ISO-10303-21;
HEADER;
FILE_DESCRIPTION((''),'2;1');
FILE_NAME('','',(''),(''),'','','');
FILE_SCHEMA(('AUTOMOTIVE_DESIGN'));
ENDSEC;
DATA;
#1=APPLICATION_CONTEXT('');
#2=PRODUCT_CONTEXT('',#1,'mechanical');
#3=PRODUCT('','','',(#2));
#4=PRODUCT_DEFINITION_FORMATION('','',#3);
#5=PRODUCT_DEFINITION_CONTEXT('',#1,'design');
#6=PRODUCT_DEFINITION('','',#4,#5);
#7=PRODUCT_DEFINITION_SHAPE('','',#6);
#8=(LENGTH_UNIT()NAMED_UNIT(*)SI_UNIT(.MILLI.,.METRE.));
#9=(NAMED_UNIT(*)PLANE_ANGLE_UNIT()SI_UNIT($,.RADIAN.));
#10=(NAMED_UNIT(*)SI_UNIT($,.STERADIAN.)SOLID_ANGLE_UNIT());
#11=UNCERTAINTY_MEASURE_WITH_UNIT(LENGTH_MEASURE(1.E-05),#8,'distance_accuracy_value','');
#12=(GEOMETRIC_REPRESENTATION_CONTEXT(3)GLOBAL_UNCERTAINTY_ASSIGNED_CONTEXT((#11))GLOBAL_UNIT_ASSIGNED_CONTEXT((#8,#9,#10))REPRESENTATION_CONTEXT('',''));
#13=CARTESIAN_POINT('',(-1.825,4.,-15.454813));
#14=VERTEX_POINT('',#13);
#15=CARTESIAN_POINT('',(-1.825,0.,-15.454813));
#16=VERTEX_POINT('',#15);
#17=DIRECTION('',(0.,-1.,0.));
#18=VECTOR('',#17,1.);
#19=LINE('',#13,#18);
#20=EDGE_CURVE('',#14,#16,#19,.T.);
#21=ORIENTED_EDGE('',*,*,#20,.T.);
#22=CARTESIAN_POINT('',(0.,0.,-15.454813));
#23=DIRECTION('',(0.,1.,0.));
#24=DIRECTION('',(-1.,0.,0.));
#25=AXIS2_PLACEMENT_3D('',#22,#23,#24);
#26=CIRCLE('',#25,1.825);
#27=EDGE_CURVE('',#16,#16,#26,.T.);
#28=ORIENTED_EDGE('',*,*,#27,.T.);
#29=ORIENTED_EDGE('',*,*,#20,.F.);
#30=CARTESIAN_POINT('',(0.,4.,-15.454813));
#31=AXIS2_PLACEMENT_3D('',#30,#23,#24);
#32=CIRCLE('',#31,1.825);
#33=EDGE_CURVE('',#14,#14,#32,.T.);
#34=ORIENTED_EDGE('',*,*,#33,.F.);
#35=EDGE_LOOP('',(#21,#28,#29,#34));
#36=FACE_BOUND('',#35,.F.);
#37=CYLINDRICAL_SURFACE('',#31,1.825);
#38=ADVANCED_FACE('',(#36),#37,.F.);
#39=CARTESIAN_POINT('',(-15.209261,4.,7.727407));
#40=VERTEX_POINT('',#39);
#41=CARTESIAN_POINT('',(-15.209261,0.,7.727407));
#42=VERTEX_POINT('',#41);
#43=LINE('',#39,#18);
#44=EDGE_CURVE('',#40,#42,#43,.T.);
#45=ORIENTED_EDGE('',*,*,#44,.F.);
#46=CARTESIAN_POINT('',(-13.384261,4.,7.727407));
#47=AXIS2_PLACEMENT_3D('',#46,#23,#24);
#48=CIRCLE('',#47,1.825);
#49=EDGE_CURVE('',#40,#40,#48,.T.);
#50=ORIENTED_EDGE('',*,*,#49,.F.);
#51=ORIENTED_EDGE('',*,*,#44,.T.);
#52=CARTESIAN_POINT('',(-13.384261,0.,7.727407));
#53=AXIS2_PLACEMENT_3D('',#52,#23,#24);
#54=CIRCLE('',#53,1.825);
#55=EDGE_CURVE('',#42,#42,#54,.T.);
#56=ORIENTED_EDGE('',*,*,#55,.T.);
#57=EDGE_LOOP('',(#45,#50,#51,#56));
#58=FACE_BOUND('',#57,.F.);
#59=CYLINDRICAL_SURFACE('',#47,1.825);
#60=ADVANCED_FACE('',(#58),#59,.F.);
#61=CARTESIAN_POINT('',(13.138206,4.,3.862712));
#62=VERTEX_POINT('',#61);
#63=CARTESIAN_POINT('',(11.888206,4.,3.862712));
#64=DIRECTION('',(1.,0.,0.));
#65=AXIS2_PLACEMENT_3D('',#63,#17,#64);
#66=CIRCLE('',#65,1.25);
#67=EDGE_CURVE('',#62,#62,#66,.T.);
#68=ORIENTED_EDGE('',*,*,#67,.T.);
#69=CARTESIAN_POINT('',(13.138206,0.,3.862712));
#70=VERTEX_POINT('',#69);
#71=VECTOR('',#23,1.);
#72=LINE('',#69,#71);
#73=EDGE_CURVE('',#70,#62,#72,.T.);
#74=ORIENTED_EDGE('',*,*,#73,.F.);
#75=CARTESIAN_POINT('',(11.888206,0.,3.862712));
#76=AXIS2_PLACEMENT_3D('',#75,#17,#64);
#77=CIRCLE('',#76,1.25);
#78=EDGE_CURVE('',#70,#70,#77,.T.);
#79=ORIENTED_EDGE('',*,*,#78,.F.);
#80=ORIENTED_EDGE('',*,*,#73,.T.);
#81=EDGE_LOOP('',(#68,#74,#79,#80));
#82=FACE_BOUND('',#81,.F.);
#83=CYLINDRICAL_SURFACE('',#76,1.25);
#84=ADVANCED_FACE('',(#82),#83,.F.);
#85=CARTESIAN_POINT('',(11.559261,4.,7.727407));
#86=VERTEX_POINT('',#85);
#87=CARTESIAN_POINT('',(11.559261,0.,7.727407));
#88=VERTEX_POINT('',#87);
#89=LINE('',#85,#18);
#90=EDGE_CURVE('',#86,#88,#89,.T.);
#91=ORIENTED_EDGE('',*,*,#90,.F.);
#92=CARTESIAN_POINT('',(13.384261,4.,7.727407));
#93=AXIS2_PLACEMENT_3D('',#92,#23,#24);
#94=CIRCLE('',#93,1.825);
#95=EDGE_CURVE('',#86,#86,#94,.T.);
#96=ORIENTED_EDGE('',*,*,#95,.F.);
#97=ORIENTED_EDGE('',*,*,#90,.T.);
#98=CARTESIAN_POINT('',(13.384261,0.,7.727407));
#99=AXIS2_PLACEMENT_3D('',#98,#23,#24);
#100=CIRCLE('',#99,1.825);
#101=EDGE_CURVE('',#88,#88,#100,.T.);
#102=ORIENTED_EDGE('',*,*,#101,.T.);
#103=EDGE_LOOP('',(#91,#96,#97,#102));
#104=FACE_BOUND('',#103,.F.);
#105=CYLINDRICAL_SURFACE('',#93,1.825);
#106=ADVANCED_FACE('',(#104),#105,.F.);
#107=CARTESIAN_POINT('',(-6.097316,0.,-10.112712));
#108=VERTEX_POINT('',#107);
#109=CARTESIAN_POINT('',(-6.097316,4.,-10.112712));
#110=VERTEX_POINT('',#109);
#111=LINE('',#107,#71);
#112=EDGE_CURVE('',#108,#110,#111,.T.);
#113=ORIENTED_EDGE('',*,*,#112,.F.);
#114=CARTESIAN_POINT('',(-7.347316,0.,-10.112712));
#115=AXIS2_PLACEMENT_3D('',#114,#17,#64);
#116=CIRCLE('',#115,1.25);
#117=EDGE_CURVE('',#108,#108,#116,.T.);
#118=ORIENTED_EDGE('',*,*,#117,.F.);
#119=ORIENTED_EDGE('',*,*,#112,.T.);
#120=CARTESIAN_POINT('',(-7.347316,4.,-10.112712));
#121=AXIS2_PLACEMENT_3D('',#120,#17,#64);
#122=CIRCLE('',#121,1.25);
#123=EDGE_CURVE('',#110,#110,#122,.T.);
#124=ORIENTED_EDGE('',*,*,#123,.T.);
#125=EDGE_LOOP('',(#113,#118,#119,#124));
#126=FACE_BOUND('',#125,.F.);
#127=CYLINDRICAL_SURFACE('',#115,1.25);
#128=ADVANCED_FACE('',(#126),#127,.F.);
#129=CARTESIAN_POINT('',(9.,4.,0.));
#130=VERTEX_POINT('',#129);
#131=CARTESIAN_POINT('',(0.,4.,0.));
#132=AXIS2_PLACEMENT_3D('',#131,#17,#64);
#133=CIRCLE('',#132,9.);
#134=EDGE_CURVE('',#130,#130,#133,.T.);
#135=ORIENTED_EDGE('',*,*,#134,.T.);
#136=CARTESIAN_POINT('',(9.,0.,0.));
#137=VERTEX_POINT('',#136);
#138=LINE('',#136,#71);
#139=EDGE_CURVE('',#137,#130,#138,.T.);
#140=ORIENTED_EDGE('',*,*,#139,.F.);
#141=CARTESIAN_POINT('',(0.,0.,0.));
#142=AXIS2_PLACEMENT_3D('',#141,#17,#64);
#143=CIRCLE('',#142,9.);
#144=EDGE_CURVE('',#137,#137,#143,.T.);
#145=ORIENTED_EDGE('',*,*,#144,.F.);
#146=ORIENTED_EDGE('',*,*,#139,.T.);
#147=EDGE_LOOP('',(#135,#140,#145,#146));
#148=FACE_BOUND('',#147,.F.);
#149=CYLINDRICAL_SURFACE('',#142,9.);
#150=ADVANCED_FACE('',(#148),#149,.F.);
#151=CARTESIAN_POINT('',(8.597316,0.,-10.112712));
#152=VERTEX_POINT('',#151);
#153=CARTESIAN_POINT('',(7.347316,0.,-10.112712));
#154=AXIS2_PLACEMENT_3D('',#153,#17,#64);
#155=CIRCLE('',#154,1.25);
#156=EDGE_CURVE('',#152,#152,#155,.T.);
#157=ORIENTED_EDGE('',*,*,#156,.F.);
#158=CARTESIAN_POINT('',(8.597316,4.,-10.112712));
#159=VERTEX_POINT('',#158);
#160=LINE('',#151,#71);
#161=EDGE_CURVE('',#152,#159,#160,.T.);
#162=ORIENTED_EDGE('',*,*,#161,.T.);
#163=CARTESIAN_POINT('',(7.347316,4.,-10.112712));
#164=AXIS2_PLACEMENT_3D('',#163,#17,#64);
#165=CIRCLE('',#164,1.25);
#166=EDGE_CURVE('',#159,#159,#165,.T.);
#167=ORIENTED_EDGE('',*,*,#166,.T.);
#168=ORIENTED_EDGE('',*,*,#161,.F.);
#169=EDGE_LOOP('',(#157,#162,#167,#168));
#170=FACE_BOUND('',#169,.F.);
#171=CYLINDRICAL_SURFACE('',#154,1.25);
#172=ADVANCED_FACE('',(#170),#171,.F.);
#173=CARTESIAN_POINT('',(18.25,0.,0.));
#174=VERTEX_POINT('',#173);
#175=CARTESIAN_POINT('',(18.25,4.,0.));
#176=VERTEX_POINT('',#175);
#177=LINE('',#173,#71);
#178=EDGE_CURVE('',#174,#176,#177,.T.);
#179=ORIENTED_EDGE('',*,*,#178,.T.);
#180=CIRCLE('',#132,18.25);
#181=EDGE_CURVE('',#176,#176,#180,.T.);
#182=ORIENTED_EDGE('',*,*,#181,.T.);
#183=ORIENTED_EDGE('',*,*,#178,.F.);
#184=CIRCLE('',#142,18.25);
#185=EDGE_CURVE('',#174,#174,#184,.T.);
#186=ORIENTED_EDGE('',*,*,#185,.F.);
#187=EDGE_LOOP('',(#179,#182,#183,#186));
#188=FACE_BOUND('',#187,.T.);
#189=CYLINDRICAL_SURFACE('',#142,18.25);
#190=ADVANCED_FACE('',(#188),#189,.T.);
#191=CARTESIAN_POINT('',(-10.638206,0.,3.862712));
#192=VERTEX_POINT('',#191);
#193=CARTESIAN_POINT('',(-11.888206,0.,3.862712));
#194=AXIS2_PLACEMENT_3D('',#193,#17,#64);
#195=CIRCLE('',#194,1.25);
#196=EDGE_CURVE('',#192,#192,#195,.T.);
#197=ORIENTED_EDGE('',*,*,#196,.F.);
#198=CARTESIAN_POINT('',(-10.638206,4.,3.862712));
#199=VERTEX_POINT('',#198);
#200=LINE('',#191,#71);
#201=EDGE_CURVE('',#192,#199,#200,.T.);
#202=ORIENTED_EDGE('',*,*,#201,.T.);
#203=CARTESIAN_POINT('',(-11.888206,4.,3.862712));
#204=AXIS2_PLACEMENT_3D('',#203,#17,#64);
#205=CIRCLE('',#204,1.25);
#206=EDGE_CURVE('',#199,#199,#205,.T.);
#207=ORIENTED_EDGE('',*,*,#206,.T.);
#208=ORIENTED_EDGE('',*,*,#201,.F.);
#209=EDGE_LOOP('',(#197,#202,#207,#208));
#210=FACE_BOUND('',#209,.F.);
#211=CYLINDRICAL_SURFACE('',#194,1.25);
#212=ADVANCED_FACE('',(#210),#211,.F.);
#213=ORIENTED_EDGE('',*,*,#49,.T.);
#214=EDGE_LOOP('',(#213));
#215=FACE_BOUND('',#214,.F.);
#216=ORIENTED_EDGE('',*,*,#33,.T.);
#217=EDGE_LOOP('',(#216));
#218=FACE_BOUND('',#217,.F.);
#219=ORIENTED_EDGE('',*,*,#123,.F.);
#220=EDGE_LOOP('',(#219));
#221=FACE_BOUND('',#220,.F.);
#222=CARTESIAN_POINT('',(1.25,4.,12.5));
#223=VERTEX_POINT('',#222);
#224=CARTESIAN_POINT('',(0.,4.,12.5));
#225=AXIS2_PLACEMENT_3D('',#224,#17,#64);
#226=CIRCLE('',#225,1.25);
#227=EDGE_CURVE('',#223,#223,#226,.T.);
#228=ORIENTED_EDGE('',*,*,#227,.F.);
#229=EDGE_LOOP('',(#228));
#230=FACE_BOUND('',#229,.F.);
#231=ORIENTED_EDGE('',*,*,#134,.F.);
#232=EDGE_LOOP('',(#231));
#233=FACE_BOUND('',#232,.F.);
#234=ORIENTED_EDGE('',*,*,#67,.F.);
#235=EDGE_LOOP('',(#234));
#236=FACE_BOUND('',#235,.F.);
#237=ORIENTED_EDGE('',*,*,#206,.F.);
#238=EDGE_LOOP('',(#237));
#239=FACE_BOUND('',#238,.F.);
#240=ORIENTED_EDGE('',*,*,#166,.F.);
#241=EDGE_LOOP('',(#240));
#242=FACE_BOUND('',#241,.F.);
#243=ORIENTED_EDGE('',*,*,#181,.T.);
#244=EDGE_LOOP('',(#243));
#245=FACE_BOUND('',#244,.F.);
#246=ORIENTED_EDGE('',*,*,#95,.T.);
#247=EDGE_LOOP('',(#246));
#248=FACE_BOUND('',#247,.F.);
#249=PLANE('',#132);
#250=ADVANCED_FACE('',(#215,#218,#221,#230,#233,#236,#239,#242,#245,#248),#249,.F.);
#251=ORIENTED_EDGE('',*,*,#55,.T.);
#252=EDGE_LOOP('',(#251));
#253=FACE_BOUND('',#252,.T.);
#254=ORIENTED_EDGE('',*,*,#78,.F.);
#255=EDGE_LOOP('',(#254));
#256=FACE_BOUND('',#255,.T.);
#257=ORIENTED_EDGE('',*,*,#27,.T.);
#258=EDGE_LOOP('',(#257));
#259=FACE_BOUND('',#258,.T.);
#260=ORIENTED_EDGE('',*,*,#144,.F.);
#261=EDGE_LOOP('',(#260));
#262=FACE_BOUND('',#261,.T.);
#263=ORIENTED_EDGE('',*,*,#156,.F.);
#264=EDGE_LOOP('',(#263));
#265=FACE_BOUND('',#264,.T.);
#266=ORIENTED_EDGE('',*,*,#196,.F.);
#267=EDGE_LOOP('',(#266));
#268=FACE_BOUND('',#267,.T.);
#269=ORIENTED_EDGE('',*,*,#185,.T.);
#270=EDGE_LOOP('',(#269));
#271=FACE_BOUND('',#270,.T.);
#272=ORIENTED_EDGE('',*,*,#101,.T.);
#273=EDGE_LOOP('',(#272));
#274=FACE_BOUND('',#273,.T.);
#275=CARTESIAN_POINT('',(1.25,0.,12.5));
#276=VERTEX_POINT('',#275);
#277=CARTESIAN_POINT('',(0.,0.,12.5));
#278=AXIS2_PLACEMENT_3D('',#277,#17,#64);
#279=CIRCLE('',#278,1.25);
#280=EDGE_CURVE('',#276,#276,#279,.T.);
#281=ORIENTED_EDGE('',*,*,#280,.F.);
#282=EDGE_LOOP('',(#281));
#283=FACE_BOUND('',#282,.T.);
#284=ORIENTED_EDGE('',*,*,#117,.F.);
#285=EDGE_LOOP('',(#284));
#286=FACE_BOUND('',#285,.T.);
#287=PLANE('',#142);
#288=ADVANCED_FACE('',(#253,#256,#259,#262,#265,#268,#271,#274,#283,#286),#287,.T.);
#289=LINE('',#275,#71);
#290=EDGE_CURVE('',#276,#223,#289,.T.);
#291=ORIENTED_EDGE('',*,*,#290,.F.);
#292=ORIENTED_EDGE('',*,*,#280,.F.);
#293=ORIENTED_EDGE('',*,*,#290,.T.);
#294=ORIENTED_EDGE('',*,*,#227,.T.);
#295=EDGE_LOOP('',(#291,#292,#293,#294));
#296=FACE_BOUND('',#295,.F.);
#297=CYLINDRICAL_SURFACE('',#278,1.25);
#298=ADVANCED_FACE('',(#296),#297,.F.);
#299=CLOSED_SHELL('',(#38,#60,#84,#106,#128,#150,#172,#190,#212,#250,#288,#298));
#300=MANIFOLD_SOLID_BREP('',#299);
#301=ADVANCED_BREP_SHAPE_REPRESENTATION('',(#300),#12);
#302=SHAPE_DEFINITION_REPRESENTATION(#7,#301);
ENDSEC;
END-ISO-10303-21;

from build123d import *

# Parameters (mm, degrees)
F0_R     = 18.25
F0_R_2   = 1.25
F0_R_3   = 9
F1_DEPTH = 4
F2_R     = 1.825
F3_DEPTH = 25


with BuildPart() as f1:
    # F0 (on Front) → F1 (new body)
    with BuildSketch(Plane.XZ):
        Circle(F0_R)
        with Locations((-7.347316, -10.112712)):
            Circle(F0_R_2, mode=Mode.SUBTRACT)
        with Locations((7.347316, -10.112712)):
            Circle(F0_R_2, mode=Mode.SUBTRACT)
        with Locations((-11.888206, 3.862712)):
            Circle(F0_R_2, mode=Mode.SUBTRACT)
        Circle(F0_R_3, mode=Mode.SUBTRACT)
        with Locations((11.888206, 3.862712)):
            Circle(F0_R_2, mode=Mode.SUBTRACT)
        with Locations((0, 12.5)):
            Circle(F0_R_2, mode=Mode.SUBTRACT)
    extrude(amount=-F1_DEPTH)

    # F2 (on face) → F3 (cut)
    with BuildSketch(Plane(origin=(0, 4, 0), x_dir=(-1, 0, 0), z_dir=(0, 1, 0))):
        with Locations((-13.384261, 7.727407)):
            Circle(F2_R)
        with Locations((13.384261, 7.727407)):
            Circle(F2_R)
        with Locations((0, -15.454813)):
            Circle(F2_R)
    extrude(amount=-F3_DEPTH, mode=Mode.SUBTRACT)


solid = f1.part
